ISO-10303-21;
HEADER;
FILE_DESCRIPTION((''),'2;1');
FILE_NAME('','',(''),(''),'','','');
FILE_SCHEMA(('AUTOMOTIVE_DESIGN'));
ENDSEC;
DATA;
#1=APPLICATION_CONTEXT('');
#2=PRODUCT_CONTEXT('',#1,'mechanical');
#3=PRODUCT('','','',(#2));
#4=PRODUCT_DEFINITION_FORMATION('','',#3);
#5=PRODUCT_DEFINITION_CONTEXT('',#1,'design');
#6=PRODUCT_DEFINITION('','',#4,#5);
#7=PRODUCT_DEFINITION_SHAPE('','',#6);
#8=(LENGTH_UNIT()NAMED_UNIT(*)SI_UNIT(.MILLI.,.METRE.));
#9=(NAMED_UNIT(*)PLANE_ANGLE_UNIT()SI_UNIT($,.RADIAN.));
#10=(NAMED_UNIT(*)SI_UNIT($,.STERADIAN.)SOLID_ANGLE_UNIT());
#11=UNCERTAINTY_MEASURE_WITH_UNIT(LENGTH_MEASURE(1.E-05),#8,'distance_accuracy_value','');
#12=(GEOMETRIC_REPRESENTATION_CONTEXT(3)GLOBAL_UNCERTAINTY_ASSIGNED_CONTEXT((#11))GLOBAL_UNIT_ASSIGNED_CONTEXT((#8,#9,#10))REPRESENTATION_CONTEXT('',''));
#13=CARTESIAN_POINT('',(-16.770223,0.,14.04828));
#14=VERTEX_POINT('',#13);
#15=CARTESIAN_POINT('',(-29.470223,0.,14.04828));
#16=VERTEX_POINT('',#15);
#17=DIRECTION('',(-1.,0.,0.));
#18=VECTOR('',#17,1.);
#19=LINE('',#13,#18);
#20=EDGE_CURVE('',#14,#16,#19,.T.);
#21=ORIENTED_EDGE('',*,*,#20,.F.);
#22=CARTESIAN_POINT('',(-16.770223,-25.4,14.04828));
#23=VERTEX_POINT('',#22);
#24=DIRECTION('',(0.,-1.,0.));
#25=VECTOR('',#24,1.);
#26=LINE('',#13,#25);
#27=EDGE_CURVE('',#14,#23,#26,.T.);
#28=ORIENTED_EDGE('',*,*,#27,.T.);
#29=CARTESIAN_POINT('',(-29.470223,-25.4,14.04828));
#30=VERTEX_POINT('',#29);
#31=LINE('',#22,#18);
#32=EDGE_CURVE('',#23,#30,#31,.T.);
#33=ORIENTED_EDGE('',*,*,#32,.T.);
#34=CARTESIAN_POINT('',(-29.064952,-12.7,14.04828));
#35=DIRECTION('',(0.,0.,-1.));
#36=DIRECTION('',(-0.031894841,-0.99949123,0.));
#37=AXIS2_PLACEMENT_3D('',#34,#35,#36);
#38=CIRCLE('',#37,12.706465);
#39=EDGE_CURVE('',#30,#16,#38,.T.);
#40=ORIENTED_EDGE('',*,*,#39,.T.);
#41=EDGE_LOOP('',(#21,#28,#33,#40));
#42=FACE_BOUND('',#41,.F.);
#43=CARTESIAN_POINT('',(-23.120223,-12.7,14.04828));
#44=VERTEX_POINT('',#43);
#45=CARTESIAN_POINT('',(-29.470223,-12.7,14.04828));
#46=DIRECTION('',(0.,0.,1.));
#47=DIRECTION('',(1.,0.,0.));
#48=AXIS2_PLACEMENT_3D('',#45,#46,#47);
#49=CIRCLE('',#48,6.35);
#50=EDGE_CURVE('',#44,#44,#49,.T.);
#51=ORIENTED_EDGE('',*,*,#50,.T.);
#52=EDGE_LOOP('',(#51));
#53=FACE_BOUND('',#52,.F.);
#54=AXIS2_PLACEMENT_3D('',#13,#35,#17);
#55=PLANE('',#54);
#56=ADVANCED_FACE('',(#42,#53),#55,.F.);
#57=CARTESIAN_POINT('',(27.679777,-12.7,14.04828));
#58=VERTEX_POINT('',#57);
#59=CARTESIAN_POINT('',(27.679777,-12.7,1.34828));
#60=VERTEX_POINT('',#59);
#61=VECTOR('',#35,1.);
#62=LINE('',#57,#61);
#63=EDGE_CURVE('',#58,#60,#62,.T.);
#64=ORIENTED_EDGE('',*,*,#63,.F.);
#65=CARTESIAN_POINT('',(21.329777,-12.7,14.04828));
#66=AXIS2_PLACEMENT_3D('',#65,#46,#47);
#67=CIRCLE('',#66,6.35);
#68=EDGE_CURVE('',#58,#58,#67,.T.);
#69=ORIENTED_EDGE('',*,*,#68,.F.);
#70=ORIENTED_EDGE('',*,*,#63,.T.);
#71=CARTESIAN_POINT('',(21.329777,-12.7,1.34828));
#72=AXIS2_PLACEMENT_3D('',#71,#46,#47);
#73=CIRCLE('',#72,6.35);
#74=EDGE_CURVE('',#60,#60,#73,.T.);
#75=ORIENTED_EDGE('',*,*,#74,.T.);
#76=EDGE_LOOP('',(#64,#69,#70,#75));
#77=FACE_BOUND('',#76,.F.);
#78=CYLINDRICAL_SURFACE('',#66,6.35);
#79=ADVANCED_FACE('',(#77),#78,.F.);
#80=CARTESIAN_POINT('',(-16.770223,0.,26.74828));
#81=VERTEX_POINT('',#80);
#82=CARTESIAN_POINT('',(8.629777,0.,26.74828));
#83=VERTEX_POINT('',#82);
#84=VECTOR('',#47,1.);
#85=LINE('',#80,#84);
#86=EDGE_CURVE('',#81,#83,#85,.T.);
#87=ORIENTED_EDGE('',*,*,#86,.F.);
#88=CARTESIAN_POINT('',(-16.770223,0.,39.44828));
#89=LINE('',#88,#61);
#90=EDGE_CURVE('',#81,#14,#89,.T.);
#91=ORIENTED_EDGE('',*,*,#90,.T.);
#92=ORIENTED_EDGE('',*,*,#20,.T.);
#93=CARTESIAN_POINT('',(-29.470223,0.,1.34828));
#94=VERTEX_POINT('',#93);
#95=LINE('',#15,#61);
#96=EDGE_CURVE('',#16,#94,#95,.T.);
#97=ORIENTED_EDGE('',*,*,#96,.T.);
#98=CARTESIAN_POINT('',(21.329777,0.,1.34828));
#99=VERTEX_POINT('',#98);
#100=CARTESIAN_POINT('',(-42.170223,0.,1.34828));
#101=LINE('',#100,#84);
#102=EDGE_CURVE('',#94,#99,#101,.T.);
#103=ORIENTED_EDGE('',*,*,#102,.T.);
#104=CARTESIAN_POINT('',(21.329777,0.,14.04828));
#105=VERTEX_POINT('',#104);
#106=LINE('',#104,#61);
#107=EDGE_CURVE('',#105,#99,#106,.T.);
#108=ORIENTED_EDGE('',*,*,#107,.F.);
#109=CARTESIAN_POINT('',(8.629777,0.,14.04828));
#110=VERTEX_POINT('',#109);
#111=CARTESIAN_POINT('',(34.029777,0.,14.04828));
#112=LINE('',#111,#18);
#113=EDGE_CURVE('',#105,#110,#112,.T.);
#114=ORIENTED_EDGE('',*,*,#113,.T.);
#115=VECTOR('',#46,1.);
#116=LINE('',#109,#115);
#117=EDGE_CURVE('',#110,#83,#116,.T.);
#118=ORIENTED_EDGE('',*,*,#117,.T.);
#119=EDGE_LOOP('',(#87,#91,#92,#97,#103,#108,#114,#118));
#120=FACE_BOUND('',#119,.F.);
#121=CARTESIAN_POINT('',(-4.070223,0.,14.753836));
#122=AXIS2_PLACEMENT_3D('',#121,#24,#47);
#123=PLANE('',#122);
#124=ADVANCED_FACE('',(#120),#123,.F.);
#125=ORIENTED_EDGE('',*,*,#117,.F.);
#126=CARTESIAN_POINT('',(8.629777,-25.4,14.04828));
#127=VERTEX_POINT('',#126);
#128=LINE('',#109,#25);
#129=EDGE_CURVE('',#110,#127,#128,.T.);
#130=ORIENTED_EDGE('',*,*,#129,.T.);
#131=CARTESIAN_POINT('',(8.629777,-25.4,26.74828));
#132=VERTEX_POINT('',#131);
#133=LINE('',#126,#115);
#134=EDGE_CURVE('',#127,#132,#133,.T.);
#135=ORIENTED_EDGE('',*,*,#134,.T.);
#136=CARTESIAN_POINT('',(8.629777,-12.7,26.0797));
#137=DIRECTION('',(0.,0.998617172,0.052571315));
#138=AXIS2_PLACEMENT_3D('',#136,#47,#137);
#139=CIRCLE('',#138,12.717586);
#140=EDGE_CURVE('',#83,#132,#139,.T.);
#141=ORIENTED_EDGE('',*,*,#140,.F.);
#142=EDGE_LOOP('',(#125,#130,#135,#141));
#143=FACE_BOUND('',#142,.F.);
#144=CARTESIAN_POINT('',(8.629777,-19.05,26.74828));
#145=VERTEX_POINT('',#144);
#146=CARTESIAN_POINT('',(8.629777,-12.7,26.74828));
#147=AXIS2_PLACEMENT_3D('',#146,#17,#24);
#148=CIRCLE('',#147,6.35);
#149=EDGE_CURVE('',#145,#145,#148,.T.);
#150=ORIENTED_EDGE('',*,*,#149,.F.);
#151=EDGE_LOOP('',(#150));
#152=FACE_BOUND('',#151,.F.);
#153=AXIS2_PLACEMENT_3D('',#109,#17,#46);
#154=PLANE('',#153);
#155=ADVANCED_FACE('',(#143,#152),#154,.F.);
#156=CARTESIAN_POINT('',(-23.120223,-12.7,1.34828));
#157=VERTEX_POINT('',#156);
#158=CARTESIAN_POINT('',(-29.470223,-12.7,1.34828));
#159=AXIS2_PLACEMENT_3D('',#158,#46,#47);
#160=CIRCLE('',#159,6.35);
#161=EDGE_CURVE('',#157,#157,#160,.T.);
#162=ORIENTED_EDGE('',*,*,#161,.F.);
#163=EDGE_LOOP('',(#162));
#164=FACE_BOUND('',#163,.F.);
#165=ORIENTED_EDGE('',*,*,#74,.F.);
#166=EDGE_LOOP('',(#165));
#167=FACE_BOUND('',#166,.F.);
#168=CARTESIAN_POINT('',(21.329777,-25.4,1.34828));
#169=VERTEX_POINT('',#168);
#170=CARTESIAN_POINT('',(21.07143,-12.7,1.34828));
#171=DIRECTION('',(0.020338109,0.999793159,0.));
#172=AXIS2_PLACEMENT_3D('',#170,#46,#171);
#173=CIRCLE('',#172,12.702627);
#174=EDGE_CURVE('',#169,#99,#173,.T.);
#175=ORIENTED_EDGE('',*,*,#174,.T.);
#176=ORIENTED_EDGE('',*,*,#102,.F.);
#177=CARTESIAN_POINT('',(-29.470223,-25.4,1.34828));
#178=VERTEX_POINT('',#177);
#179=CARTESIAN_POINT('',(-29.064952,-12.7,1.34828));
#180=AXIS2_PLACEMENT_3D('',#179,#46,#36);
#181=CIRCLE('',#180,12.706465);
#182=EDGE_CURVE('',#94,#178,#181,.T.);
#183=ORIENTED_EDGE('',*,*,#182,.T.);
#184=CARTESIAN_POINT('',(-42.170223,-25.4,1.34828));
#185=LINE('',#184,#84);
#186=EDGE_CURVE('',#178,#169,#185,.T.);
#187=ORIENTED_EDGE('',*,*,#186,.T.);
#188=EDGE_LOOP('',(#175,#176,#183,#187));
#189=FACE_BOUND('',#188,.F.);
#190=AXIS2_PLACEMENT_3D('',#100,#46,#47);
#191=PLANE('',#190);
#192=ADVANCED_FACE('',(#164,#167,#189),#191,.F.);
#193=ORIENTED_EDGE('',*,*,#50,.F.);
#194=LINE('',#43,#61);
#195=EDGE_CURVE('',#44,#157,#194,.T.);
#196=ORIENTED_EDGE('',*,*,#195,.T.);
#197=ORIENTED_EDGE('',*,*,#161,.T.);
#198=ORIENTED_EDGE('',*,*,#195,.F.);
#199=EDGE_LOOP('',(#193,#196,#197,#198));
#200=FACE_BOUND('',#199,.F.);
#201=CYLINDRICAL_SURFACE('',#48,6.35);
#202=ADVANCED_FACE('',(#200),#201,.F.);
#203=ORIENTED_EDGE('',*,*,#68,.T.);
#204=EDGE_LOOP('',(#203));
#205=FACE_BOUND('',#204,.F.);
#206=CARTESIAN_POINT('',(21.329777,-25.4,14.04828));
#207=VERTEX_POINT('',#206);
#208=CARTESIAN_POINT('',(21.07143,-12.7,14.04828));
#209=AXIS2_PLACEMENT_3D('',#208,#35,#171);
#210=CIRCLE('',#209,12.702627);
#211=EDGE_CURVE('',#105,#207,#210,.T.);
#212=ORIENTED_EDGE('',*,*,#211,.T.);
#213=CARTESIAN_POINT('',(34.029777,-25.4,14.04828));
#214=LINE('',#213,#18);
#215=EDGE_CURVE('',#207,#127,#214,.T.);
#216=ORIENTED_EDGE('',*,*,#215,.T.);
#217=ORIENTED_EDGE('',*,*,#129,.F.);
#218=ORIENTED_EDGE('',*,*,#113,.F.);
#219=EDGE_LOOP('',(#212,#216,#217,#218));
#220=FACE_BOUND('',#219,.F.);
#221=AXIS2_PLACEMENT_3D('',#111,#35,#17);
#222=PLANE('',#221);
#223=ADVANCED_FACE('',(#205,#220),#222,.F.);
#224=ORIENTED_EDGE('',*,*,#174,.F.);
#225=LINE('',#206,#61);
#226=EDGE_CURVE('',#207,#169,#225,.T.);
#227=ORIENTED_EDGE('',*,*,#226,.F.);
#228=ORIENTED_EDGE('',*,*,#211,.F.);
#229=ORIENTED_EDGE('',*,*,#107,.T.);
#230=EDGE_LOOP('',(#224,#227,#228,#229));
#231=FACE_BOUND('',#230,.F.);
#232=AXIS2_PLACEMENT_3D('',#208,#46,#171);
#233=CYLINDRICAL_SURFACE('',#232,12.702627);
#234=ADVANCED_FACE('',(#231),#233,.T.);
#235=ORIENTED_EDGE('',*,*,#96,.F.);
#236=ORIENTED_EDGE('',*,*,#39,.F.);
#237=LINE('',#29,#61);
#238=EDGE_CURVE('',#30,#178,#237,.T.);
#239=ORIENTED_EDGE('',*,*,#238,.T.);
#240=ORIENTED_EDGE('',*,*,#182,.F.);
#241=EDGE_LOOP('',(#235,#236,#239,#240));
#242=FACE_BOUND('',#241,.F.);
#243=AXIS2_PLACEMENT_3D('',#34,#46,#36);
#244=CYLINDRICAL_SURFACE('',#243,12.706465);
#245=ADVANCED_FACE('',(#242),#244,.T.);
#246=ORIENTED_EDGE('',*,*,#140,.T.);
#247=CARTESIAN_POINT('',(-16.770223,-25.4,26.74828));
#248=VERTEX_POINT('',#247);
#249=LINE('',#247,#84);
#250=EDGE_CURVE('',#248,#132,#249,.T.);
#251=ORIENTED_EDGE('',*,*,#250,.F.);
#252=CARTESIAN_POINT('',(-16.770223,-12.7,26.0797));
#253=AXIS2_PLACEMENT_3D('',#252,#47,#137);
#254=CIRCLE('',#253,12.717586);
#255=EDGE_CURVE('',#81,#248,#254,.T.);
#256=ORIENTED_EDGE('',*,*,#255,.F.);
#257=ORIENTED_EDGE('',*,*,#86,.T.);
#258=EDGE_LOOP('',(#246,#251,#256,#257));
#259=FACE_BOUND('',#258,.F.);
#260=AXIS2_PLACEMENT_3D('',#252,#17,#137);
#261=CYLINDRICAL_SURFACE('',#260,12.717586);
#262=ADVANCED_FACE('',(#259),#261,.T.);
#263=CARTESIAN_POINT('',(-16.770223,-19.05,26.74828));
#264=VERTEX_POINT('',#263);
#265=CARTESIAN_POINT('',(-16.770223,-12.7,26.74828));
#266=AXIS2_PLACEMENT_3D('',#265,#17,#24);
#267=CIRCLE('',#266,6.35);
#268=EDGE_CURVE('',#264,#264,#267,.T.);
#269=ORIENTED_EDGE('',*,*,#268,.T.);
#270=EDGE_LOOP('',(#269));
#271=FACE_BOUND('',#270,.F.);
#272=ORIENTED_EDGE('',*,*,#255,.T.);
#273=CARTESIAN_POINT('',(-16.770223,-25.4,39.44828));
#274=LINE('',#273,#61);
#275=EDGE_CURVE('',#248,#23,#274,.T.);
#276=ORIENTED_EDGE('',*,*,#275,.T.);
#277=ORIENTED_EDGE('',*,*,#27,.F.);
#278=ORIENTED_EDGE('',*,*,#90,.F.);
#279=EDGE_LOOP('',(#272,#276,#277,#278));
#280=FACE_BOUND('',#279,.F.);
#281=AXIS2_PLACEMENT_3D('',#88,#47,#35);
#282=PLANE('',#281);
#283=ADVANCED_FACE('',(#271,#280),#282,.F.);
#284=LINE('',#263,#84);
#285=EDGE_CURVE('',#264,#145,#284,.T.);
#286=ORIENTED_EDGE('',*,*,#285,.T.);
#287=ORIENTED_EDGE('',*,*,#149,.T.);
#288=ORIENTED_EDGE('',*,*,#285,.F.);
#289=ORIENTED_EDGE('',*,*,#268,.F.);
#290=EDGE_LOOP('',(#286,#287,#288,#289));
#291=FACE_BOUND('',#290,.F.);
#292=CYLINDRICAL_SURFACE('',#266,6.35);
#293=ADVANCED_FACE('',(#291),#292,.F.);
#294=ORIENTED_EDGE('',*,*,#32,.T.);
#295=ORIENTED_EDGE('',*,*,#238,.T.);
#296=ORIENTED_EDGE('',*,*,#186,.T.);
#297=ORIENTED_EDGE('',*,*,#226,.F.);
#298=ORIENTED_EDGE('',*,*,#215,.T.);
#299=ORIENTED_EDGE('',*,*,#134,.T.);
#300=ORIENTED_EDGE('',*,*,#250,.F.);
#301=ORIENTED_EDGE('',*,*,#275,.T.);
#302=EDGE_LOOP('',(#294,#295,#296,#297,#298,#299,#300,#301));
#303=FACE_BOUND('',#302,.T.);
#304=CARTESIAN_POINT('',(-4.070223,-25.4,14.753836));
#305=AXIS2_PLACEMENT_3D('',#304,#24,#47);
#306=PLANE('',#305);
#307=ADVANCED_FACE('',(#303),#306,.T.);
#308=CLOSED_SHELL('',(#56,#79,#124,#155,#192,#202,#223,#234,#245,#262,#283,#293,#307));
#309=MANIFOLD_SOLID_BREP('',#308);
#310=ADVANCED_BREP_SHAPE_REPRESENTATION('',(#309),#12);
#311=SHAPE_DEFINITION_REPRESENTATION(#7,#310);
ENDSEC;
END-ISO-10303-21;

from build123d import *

# Parameters (mm, degrees)
F1_DEPTH = 25.4
F2_R     = 6.35
F3_DEPTH = 25.4
F4_R     = 6.35
F5_DEPTH = 25.4
F6_R     = 6.35
F7_DEPTH = 25.4


with BuildPart() as f1:
    # F0 (on Front) → F1 (new body)
    with BuildSketch(Plane.XZ):
        Polygon((-16.770223, 14.04828), (-42.170223, 14.04828), (-42.170223, 1.34828), (34.029777, 1.34828), (34.029777, 14.04828), (8.629777, 14.04828), (8.629777, 39.44828), (-16.770223, 39.44828), align=None)
    extrude(amount=F1_DEPTH)

    # F2 (on face) → F3 (cut)
    with BuildSketch(Plane(origin=(-16.770223, 0, 0), x_dir=(0, -1, 0), z_dir=(-1, 0, 0))):
        with Locations((12.7, 26.74828)):
            Circle(F2_R)
        with BuildLine():
            ThreePointArc((0, 26.74828), (12.7, 38.797286), (25.4, 26.74828))
            Line((25.4, 26.74828), (25.4, 39.44828))
            Line((25.4, 39.44828), (0, 39.44828))
            Line((0, 39.44828), (0, 26.74828))
        make_face()
    extrude(amount=-F3_DEPTH, mode=Mode.SUBTRACT)

    # F4 (on face) → F5 (cut)
    with BuildSketch(Plane.XY.offset(14.04828)):
        with Locations((-29.470223, -12.7)):
            Circle(F4_R)
        with BuildLine():
            ThreePointArc((-29.470223, -25.4), (-41.771417, -12.7), (-29.470223, 0))
            Line((-29.470223, 0), (-42.170223, 0))
            Line((-42.170223, 0), (-42.170223, -25.4))
            Line((-42.170223, -25.4), (-29.470223, -25.4))
        make_face()
    extrude(amount=-F5_DEPTH, mode=Mode.SUBTRACT)

    # F6 (on face) → F7 (cut)
    with BuildSketch(Plane.XY.offset(14.04828)):
        with Locations((21.329777, -12.7)):
            Circle(F6_R)
        with BuildLine():
            ThreePointArc((21.329777, 0), (33.774057, -12.7), (21.329777, -25.4))
            Line((21.329777, -25.4), (34.029777, -25.4))
            Line((34.029777, -25.4), (34.029777, 0))
            Line((34.029777, 0), (21.329777, 0))
        make_face()
    extrude(amount=-F7_DEPTH, mode=Mode.SUBTRACT)


solid = f1.part
